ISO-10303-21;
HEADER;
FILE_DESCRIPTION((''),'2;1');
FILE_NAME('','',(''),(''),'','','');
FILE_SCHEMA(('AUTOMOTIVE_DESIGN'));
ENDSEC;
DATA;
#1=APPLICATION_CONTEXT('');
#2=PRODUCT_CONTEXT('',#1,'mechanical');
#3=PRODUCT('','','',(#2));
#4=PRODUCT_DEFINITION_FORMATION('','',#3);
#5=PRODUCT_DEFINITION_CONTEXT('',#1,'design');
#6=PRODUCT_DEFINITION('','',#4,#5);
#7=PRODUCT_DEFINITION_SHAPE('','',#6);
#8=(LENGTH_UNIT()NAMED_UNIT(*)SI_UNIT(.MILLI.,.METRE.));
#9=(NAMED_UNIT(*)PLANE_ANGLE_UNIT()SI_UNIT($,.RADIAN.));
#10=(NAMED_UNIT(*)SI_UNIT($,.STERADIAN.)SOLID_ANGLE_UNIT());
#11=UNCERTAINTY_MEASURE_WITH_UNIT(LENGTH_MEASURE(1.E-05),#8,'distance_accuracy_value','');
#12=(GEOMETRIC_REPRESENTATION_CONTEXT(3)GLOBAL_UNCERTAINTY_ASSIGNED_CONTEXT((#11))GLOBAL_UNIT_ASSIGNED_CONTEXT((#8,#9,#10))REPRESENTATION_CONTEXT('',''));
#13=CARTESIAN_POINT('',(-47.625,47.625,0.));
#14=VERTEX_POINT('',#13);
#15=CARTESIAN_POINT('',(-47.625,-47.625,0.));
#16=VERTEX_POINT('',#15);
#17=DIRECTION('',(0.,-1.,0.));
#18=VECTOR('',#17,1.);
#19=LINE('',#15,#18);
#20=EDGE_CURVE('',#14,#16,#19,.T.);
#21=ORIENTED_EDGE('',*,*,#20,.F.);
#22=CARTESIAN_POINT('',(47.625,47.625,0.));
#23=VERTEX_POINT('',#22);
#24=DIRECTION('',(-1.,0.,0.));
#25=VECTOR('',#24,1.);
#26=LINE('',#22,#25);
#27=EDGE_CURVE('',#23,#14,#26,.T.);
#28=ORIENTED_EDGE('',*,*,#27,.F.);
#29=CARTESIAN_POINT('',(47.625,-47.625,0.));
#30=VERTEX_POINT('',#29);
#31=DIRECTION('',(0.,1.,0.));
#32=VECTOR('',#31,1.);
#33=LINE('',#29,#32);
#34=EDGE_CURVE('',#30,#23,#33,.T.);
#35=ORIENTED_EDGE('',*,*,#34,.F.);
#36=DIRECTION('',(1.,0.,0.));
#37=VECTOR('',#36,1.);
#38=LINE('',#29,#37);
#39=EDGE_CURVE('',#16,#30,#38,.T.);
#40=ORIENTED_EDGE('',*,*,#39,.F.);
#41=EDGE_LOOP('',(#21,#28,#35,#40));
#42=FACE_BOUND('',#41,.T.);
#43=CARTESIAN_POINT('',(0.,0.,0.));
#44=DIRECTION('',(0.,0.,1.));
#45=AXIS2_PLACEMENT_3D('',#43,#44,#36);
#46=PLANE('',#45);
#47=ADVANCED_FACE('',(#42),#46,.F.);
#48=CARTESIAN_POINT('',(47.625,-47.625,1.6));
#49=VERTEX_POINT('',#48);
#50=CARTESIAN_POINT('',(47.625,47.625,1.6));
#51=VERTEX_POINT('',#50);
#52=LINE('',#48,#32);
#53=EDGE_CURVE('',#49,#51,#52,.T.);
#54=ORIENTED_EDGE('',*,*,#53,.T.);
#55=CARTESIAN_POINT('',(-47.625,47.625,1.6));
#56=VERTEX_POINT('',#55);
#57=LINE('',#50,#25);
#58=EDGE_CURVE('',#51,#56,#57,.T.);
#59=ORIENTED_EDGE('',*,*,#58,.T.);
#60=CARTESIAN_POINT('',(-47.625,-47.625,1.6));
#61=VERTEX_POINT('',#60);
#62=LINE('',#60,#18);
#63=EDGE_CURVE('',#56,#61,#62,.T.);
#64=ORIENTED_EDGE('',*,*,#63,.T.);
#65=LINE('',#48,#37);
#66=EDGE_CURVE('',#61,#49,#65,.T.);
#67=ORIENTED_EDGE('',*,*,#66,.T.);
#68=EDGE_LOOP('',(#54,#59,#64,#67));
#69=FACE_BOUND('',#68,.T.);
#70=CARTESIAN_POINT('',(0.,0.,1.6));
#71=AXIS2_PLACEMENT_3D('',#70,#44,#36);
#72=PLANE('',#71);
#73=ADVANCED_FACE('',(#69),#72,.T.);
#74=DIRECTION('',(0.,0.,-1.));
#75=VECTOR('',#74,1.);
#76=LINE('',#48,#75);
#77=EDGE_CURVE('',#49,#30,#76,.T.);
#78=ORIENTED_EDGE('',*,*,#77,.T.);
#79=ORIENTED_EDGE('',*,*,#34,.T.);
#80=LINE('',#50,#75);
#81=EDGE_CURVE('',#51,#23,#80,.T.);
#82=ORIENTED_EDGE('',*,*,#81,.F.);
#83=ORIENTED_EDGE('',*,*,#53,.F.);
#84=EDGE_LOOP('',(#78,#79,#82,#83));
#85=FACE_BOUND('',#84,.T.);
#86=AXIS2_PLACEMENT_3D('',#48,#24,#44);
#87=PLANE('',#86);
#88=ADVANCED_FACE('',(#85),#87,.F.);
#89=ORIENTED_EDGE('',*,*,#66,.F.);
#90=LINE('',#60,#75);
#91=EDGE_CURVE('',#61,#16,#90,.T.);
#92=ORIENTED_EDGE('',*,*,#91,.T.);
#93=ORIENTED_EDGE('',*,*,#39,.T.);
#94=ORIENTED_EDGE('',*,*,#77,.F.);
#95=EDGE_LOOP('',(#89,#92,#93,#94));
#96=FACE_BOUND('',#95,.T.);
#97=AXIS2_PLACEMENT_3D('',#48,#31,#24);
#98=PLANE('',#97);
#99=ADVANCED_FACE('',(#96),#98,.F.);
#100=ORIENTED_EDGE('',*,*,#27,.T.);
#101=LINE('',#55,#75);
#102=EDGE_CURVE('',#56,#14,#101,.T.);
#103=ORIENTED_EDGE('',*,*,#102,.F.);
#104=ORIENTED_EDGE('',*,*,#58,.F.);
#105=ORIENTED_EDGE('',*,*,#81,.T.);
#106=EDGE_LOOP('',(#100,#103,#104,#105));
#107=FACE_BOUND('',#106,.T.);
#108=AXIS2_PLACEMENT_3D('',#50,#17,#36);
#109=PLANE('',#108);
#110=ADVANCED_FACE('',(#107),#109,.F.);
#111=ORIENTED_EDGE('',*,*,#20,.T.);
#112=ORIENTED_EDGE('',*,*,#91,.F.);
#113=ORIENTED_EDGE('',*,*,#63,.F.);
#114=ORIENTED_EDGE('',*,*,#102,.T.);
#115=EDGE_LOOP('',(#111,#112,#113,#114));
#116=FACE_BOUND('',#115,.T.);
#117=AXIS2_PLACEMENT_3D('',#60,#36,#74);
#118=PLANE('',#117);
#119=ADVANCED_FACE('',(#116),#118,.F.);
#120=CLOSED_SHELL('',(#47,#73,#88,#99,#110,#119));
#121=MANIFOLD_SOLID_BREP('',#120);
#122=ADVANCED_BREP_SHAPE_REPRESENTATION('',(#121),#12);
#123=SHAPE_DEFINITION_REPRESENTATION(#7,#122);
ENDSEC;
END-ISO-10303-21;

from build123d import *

# Parameters (mm, degrees)
SKETCH_1_W      = 95.25
SKETCH_1_H      = 95.25
EXTRUDE_1_DEPTH = 1.6


with BuildPart() as part:
    # 草图1 → 凸台-拉伸1 (new body)
    with BuildSketch(Plane.XY):
        Rectangle(SKETCH_1_W, SKETCH_1_H)
    extrude(amount=EXTRUDE_1_DEPTH)


solid = part.part
